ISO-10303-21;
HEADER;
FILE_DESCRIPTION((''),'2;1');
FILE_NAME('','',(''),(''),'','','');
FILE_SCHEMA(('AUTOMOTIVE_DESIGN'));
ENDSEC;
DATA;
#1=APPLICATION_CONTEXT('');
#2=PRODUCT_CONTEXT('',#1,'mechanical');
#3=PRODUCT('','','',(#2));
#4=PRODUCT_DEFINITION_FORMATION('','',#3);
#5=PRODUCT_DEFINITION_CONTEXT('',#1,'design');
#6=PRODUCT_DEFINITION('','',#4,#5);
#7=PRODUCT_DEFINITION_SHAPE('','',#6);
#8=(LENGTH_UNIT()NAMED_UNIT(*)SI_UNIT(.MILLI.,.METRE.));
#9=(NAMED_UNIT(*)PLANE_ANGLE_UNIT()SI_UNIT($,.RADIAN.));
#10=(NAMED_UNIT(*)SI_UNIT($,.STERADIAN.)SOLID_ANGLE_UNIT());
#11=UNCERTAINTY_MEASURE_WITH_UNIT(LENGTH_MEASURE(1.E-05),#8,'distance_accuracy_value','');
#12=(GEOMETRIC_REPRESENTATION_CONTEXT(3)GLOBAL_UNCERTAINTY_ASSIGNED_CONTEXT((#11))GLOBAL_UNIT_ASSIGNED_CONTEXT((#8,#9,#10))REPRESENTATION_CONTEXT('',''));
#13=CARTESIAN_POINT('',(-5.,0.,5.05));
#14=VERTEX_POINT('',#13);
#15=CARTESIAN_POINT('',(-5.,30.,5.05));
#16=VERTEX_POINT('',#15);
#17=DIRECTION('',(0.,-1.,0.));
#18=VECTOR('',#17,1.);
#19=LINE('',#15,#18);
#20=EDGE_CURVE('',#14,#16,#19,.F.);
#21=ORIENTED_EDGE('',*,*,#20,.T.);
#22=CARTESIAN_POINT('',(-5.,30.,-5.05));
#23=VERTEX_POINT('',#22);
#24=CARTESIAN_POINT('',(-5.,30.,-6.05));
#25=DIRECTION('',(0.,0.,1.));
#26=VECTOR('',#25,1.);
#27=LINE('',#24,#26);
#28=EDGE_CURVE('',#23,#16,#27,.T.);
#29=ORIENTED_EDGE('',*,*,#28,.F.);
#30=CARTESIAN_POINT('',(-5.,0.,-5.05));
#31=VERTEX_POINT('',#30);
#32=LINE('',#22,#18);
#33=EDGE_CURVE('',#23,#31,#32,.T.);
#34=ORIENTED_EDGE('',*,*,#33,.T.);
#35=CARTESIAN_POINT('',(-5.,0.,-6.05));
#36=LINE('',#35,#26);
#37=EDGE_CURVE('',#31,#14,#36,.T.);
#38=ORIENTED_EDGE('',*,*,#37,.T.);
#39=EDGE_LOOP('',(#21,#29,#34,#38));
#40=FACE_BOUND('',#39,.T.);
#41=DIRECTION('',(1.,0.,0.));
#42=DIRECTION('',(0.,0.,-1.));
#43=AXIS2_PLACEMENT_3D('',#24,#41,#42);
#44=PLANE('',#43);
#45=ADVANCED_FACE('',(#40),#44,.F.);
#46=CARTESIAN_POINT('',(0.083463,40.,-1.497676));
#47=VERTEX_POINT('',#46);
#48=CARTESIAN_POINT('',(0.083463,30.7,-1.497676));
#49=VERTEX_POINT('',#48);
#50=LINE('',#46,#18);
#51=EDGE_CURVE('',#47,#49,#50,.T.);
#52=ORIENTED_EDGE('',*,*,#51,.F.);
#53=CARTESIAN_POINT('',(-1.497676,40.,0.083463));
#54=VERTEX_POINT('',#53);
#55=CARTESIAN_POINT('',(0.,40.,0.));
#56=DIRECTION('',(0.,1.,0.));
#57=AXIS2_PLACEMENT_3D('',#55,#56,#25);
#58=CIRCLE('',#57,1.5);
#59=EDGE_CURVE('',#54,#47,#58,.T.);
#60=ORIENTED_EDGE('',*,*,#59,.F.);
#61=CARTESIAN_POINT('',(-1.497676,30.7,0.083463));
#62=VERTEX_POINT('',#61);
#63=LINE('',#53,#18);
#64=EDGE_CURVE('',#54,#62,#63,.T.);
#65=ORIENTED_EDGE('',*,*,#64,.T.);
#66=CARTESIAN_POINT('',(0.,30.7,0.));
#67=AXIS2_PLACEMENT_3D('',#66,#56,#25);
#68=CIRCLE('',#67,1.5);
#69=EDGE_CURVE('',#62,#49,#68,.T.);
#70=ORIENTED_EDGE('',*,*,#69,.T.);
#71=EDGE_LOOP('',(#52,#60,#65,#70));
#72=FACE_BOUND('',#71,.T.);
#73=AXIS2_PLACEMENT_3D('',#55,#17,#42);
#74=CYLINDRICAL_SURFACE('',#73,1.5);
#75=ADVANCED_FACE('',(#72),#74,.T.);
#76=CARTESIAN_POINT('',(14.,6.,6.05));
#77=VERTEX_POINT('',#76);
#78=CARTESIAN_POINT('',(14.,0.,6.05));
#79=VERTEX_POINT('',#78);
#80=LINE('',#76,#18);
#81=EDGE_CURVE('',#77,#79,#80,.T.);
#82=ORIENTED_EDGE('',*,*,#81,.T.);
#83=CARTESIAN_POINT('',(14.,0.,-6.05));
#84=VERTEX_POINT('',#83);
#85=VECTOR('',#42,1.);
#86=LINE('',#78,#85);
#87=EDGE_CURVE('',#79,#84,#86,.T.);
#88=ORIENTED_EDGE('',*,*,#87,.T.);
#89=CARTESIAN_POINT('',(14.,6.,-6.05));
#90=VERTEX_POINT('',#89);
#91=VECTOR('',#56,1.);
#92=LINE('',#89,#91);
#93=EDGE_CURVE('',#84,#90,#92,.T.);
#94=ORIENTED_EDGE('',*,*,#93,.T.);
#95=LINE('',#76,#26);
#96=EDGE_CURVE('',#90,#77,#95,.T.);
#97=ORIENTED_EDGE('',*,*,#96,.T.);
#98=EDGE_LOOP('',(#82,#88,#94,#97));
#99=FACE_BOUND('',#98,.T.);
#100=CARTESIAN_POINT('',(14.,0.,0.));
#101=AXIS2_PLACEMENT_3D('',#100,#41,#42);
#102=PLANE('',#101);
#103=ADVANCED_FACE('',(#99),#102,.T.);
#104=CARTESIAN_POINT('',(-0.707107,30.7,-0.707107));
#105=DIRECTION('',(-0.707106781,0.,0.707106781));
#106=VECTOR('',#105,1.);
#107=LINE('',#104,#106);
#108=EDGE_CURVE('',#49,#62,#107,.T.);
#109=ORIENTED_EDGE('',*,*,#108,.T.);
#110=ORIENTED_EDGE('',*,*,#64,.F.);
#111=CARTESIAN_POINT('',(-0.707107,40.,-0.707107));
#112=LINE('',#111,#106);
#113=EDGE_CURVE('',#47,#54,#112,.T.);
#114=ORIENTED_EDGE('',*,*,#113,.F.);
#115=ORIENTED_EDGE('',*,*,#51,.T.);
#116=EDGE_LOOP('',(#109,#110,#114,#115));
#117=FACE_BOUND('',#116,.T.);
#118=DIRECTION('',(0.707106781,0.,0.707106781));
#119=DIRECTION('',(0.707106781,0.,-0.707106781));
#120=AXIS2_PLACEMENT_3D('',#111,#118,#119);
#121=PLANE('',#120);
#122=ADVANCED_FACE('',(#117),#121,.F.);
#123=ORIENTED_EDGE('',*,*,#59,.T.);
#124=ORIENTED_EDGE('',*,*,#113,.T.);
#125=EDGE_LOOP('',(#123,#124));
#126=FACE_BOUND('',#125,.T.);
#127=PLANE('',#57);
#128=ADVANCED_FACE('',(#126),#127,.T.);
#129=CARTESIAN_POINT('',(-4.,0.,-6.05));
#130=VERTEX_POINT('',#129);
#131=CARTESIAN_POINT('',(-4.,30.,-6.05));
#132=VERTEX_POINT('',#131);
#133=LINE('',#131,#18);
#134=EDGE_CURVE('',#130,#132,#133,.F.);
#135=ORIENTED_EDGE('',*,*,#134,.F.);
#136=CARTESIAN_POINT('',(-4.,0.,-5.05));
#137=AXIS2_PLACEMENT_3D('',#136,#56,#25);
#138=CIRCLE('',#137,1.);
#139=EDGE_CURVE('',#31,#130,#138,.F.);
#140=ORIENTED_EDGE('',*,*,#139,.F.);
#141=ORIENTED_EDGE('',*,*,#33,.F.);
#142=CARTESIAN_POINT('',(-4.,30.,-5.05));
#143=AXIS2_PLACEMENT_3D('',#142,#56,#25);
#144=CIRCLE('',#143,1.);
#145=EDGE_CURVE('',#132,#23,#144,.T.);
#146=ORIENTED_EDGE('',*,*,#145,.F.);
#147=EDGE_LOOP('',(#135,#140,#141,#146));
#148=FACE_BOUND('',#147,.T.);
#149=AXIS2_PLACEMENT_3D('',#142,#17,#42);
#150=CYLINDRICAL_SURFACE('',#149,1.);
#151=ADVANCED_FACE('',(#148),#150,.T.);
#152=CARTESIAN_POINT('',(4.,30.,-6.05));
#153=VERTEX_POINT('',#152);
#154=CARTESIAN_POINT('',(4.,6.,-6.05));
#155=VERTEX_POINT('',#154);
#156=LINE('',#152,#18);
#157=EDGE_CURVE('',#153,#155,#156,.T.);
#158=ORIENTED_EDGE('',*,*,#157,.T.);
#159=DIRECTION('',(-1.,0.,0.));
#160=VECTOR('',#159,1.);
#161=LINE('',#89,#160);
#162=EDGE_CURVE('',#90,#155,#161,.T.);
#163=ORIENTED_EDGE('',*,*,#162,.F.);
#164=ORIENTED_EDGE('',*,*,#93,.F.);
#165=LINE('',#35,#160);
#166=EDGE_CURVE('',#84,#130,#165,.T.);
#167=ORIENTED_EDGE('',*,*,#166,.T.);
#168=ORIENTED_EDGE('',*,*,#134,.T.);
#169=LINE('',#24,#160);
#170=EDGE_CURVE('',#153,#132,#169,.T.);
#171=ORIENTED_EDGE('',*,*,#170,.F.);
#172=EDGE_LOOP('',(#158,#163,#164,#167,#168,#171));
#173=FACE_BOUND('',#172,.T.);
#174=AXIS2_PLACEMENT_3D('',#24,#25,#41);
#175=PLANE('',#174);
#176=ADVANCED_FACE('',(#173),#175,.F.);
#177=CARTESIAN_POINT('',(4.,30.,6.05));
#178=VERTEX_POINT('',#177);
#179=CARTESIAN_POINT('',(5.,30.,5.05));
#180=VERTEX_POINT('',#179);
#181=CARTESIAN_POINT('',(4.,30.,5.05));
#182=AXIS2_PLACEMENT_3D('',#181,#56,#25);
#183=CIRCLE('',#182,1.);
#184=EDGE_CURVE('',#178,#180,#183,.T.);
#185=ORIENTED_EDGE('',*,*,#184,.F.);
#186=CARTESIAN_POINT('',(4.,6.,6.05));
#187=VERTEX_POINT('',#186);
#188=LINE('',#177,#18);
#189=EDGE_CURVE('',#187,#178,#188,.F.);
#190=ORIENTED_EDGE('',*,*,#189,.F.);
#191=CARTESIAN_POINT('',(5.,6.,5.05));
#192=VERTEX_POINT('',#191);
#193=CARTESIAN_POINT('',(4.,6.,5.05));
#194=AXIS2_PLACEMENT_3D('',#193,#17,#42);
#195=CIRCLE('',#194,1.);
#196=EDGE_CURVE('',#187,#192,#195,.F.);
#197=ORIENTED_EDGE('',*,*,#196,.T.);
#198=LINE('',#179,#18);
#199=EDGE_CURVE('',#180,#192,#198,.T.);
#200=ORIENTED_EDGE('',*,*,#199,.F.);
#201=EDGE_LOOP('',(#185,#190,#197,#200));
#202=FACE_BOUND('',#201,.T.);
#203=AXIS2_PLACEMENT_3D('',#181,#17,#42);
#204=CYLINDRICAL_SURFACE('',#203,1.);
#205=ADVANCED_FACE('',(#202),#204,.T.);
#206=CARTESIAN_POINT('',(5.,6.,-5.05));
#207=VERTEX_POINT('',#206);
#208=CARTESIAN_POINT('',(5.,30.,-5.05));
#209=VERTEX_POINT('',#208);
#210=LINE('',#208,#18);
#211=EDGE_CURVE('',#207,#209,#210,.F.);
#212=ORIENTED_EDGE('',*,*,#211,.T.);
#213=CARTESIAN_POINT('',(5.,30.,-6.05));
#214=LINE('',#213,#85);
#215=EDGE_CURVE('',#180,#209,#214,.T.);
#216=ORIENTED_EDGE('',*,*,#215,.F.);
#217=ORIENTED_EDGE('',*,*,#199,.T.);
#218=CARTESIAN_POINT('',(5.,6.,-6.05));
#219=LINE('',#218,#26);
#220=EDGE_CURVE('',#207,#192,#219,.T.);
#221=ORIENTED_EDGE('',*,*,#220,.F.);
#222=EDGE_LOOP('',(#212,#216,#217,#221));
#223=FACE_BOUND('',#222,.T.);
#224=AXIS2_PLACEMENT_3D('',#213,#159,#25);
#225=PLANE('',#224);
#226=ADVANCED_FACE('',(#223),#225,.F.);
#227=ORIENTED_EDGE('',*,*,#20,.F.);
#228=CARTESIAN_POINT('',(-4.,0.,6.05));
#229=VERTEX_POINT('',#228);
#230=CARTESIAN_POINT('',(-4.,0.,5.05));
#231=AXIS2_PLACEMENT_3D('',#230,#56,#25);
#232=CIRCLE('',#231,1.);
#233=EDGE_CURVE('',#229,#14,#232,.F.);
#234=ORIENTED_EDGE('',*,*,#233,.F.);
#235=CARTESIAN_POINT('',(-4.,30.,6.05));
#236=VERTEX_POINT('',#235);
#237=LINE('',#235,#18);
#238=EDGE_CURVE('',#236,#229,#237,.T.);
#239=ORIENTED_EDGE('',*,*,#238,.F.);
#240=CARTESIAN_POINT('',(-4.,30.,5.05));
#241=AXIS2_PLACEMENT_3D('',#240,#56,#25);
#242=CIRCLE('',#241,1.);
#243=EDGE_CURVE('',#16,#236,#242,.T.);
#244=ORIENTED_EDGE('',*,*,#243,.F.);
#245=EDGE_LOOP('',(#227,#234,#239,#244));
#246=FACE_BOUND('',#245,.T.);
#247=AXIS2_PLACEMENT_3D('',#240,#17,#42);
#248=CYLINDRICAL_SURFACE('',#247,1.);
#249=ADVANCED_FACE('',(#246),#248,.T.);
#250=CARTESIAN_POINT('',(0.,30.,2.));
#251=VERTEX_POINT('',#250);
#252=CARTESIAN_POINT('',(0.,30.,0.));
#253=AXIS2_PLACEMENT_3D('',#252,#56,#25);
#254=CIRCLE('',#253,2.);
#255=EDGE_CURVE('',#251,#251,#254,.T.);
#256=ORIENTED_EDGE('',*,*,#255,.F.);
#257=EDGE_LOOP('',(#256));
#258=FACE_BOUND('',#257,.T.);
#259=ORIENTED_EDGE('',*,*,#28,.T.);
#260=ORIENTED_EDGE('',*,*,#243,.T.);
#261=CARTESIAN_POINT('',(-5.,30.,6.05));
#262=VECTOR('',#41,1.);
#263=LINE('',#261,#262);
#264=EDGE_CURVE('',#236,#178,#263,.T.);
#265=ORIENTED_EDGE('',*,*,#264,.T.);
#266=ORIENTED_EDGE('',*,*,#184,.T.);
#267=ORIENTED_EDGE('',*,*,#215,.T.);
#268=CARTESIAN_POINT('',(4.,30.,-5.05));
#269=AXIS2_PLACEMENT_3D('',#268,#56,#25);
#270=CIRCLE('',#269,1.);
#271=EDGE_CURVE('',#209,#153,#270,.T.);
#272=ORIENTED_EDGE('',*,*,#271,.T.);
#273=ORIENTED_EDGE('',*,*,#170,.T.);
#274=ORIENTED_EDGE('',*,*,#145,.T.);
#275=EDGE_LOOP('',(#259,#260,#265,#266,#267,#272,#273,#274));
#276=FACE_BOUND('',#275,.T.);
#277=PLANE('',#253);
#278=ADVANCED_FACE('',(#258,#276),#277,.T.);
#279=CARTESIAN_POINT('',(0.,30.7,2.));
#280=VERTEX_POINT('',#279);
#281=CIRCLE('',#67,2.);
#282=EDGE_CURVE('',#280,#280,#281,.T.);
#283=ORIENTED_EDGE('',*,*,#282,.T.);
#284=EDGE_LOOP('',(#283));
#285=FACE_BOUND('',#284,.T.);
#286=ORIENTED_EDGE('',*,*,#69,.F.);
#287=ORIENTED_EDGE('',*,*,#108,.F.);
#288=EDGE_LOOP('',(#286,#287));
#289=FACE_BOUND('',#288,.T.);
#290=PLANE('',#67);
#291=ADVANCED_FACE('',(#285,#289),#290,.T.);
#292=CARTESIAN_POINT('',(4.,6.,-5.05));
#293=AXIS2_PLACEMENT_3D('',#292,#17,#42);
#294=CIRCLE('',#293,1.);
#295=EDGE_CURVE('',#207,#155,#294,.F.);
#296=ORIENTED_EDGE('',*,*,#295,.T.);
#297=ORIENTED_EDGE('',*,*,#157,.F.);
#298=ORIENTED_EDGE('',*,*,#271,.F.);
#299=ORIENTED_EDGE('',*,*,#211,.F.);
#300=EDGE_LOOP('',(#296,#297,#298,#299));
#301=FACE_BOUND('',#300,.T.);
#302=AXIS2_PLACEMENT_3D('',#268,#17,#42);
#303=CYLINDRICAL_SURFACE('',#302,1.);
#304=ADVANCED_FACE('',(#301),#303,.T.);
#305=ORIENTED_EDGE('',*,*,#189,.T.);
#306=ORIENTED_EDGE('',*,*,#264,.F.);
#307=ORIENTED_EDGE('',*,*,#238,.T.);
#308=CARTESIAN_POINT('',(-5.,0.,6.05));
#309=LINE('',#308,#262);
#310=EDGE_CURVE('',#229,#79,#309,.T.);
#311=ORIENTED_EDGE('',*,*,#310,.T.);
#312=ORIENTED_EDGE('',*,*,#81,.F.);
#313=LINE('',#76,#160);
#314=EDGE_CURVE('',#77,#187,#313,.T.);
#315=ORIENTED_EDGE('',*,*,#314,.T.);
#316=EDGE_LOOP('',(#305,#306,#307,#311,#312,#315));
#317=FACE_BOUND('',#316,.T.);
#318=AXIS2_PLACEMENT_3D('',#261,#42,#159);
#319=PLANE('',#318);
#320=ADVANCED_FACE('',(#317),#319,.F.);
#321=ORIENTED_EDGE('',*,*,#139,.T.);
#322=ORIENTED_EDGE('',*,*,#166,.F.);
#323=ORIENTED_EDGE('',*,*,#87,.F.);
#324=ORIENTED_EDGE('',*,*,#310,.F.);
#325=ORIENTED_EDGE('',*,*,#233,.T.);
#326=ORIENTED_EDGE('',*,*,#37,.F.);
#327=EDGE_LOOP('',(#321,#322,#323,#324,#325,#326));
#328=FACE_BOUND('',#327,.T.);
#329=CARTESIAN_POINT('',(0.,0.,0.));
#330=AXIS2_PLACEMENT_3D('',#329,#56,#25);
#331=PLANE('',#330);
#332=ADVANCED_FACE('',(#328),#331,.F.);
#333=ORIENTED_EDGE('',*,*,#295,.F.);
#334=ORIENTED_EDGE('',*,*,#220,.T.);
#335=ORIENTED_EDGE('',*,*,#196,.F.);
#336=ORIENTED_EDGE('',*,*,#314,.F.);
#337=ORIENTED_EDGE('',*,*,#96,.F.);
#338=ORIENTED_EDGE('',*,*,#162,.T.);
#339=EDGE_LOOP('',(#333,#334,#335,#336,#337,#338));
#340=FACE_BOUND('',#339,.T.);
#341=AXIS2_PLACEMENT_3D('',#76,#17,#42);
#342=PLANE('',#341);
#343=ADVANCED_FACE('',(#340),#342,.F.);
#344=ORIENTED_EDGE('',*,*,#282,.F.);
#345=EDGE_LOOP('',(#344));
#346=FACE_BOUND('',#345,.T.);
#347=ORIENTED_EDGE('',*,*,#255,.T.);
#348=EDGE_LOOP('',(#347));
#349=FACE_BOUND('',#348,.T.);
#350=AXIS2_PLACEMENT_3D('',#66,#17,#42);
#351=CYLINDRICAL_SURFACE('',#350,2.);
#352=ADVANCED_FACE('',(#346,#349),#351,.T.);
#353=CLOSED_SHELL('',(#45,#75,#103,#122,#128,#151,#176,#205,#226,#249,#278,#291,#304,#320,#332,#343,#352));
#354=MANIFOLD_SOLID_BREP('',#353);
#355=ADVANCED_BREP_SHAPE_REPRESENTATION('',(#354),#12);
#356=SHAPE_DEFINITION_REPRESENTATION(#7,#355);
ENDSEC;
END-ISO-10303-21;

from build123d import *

# Parameters (mm, degrees)
SKETCH1_W           = 10
SKETCH1_H           = 12.1
BOSS_EXTRUDE1_DEPTH = 30
SKETCH2_R           = 2
BOSS_EXTRUDE2_DEPTH = 0.7
BOSS_EXTRUDE3_DEPTH = 9.3
FILLET1_R           = 1
SKETCH4_W           = 12.1
SKETCH4_H           = 6
BOSS_EXTRUDE4_DEPTH = 14


with BuildPart() as part:
    # Sketch1 → Boss-Extrude1 (new body)
    with BuildSketch(Plane(origin=(0, 0, 0), x_dir=(1, 0, 0), z_dir=(0, 1, 0))):
        Rectangle(SKETCH1_W, SKETCH1_H)
    extrude(amount=BOSS_EXTRUDE1_DEPTH)

    # Sketch2 → Boss-Extrude2 (add)
    with BuildSketch(Plane(origin=(0, 30, 0), x_dir=(1, 0, 0), z_dir=(0, 1, 0))):
        with Locations(Location((0, 0, 0), (0, 0, 270))):
            Circle(SKETCH2_R)
    extrude(amount=BOSS_EXTRUDE2_DEPTH)

    # Sketch3 → Boss-Extrude3 (add)
    with BuildSketch(Plane(origin=(0, 30.7, 0), x_dir=(1, 0, 0), z_dir=(0, 1, 0))):
        with BuildLine():
            ThreePointArc((1.5, 0), (1.08976923, 1.030729365), (0.083462634, 1.497676196))
            Line((0.083462634, 1.497676196), (-1.497676196, -0.083462634))
            ThreePointArc((-1.497676196, -0.083462634), (0.041747489, -1.499418937), (1.5, 0))
        make_face()
    extrude(amount=BOSS_EXTRUDE3_DEPTH)

    # Fillet1
    fillet1_edges = [part.edges().sort_by_distance(p)[0] for p in [
        (5, 15, 6.05),
        (-5, 15, 6.05),
        (-5, 15, -6.05),
        (5, 15, -6.05),
    ]]
    fillet(fillet1_edges, radius=FILLET1_R)

    # Sketch4 → Boss-Extrude4 (add)
    with BuildSketch(Plane(origin=(0, 0, 0), x_dir=(0, 0, -1), z_dir=(1, 0, 0))):
        with Locations((0, 3)):
            Rectangle(SKETCH4_W, SKETCH4_H)
    extrude(amount=BOSS_EXTRUDE4_DEPTH)


solid = part.part
